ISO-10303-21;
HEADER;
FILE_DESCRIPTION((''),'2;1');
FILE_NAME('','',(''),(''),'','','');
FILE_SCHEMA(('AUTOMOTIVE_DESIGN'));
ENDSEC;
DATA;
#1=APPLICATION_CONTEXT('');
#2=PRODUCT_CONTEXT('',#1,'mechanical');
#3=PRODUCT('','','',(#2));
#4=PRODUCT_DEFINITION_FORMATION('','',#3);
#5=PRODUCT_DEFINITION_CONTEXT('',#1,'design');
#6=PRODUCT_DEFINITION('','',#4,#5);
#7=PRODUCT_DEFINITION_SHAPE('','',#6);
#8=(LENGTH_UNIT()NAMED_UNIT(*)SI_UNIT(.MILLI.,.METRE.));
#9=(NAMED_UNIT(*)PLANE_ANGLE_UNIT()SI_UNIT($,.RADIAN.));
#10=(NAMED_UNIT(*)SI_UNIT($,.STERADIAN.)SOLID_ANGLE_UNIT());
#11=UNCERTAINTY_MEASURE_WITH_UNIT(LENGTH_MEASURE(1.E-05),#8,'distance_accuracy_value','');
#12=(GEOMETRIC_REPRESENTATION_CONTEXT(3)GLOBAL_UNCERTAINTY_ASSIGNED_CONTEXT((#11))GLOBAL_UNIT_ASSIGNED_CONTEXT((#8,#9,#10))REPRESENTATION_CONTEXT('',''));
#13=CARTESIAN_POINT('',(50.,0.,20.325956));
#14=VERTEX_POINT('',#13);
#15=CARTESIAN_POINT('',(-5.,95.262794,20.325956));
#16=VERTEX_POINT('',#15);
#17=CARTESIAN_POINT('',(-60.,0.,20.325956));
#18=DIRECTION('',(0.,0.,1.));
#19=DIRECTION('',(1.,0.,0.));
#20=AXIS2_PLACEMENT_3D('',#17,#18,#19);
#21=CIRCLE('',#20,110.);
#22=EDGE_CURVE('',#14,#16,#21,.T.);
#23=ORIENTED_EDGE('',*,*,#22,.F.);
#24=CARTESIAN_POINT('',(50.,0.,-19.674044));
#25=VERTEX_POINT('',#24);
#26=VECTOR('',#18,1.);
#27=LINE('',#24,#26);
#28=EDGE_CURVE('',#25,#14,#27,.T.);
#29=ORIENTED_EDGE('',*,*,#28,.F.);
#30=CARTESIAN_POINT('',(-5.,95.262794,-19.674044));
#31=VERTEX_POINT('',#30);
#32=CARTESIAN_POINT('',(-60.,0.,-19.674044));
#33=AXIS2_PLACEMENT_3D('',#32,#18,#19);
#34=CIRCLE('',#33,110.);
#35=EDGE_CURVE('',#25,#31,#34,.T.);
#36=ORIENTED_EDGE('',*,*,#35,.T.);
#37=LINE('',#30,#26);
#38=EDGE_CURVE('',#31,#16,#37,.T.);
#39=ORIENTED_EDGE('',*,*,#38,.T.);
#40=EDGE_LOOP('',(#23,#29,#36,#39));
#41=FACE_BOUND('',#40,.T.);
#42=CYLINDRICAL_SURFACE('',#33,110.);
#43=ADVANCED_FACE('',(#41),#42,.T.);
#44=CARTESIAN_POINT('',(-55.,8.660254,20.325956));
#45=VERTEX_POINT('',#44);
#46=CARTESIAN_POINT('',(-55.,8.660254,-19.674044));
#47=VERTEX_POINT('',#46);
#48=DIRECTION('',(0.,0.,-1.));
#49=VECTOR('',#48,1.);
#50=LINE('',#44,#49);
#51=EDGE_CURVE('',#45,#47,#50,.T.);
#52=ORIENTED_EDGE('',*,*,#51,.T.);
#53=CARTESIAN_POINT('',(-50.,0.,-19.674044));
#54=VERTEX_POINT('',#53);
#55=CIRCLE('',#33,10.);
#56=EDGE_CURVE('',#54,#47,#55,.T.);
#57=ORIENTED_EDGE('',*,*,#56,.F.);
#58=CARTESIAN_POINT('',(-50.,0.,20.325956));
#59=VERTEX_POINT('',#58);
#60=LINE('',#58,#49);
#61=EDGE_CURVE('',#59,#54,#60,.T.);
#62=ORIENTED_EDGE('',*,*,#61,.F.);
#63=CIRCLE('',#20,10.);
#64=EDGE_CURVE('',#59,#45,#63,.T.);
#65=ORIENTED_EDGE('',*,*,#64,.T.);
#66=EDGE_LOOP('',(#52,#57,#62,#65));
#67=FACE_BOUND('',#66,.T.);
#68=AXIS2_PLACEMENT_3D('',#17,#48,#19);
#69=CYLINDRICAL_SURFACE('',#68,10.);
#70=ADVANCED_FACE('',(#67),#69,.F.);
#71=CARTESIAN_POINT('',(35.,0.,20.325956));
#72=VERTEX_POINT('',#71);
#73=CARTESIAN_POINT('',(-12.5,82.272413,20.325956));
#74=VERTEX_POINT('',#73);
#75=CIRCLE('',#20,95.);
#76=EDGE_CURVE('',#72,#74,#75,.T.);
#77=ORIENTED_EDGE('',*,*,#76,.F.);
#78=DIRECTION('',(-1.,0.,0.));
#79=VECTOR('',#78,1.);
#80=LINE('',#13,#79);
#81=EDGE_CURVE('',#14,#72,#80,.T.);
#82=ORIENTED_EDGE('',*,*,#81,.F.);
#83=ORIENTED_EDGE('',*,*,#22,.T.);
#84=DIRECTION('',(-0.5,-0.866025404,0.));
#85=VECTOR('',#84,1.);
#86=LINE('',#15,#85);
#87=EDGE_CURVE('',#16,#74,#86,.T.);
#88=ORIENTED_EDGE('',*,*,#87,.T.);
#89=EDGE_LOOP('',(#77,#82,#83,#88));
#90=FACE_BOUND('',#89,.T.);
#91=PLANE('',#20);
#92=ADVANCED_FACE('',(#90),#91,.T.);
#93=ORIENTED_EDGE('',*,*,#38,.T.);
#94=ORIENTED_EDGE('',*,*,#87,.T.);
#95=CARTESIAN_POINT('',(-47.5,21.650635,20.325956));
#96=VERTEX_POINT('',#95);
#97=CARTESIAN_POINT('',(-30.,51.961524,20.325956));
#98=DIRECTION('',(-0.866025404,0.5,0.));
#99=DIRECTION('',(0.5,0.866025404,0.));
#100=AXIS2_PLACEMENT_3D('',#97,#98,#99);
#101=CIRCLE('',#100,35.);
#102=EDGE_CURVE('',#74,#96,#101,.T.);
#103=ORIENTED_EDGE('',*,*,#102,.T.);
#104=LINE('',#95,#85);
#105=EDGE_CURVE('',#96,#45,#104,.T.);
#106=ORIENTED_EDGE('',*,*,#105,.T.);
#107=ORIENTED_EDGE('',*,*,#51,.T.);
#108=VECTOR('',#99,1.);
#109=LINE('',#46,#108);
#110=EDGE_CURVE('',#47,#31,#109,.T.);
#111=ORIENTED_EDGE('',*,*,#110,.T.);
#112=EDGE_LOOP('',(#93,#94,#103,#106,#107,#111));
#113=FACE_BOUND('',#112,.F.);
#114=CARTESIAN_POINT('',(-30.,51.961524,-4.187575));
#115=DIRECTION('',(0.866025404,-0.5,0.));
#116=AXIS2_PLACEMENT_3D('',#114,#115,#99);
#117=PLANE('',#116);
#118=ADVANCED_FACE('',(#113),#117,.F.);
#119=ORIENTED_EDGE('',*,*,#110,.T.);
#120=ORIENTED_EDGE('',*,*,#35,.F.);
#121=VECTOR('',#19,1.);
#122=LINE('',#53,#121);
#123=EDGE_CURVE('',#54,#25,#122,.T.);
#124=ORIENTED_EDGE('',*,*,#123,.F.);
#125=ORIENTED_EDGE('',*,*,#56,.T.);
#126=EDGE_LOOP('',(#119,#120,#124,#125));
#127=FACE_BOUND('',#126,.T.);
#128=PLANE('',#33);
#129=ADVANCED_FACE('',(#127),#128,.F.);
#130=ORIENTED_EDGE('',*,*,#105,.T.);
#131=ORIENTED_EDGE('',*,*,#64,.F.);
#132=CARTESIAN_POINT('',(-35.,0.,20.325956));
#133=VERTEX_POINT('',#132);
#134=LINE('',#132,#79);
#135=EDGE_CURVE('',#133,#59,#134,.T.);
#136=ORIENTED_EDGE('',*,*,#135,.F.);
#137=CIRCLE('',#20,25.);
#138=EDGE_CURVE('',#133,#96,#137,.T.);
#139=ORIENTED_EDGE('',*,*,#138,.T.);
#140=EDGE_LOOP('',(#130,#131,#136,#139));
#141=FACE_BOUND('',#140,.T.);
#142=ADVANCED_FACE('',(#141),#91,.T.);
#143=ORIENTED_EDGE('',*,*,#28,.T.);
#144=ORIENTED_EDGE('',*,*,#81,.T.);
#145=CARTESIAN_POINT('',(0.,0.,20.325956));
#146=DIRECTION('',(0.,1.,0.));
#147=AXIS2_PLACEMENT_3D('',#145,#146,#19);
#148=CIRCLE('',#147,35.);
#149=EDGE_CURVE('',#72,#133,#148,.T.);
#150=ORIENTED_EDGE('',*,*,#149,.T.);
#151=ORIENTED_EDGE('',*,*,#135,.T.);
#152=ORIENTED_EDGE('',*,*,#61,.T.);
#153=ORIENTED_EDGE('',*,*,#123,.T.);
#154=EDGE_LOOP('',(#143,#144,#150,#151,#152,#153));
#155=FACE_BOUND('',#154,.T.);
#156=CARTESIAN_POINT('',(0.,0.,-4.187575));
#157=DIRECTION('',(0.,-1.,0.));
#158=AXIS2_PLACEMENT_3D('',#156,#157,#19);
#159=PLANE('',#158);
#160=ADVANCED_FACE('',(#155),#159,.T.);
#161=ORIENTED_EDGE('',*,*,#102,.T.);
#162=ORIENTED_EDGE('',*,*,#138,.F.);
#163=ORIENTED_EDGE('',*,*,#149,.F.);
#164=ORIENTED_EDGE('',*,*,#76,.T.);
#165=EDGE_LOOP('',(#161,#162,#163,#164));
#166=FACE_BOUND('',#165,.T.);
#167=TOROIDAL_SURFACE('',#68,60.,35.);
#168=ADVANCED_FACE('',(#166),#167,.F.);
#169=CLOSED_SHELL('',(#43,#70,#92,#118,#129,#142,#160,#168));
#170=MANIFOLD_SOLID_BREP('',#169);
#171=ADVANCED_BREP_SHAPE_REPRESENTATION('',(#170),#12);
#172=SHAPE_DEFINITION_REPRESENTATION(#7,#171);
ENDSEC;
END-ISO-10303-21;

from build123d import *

# Parameters (mm, degrees)
F1_ANGLE = -60


with BuildPart() as f1:
    # F0 (on Front) → F1 (revolve)
    with BuildSketch(Plane.XZ):
        with BuildLine():
            Line((-50, 20.325956), (-50, -19.674044))
            Line((-50, -19.674044), (0, -19.674044))
            Line((0, -19.674044), (50, -19.674044))
            Line((50, -19.674044), (50, 20.325956))
            Line((50, 20.325956), (35, 20.325956))
            ThreePointArc((35, 20.325956), (0, -14.674044), (-35, 20.325956))
            Line((-35, 20.325956), (-50, 20.325956))
        make_face()
    revolve(axis=Axis((-60, 0, 1.129986), (0, 0, -1)), revolution_arc=F1_ANGLE)


solid = f1.part
